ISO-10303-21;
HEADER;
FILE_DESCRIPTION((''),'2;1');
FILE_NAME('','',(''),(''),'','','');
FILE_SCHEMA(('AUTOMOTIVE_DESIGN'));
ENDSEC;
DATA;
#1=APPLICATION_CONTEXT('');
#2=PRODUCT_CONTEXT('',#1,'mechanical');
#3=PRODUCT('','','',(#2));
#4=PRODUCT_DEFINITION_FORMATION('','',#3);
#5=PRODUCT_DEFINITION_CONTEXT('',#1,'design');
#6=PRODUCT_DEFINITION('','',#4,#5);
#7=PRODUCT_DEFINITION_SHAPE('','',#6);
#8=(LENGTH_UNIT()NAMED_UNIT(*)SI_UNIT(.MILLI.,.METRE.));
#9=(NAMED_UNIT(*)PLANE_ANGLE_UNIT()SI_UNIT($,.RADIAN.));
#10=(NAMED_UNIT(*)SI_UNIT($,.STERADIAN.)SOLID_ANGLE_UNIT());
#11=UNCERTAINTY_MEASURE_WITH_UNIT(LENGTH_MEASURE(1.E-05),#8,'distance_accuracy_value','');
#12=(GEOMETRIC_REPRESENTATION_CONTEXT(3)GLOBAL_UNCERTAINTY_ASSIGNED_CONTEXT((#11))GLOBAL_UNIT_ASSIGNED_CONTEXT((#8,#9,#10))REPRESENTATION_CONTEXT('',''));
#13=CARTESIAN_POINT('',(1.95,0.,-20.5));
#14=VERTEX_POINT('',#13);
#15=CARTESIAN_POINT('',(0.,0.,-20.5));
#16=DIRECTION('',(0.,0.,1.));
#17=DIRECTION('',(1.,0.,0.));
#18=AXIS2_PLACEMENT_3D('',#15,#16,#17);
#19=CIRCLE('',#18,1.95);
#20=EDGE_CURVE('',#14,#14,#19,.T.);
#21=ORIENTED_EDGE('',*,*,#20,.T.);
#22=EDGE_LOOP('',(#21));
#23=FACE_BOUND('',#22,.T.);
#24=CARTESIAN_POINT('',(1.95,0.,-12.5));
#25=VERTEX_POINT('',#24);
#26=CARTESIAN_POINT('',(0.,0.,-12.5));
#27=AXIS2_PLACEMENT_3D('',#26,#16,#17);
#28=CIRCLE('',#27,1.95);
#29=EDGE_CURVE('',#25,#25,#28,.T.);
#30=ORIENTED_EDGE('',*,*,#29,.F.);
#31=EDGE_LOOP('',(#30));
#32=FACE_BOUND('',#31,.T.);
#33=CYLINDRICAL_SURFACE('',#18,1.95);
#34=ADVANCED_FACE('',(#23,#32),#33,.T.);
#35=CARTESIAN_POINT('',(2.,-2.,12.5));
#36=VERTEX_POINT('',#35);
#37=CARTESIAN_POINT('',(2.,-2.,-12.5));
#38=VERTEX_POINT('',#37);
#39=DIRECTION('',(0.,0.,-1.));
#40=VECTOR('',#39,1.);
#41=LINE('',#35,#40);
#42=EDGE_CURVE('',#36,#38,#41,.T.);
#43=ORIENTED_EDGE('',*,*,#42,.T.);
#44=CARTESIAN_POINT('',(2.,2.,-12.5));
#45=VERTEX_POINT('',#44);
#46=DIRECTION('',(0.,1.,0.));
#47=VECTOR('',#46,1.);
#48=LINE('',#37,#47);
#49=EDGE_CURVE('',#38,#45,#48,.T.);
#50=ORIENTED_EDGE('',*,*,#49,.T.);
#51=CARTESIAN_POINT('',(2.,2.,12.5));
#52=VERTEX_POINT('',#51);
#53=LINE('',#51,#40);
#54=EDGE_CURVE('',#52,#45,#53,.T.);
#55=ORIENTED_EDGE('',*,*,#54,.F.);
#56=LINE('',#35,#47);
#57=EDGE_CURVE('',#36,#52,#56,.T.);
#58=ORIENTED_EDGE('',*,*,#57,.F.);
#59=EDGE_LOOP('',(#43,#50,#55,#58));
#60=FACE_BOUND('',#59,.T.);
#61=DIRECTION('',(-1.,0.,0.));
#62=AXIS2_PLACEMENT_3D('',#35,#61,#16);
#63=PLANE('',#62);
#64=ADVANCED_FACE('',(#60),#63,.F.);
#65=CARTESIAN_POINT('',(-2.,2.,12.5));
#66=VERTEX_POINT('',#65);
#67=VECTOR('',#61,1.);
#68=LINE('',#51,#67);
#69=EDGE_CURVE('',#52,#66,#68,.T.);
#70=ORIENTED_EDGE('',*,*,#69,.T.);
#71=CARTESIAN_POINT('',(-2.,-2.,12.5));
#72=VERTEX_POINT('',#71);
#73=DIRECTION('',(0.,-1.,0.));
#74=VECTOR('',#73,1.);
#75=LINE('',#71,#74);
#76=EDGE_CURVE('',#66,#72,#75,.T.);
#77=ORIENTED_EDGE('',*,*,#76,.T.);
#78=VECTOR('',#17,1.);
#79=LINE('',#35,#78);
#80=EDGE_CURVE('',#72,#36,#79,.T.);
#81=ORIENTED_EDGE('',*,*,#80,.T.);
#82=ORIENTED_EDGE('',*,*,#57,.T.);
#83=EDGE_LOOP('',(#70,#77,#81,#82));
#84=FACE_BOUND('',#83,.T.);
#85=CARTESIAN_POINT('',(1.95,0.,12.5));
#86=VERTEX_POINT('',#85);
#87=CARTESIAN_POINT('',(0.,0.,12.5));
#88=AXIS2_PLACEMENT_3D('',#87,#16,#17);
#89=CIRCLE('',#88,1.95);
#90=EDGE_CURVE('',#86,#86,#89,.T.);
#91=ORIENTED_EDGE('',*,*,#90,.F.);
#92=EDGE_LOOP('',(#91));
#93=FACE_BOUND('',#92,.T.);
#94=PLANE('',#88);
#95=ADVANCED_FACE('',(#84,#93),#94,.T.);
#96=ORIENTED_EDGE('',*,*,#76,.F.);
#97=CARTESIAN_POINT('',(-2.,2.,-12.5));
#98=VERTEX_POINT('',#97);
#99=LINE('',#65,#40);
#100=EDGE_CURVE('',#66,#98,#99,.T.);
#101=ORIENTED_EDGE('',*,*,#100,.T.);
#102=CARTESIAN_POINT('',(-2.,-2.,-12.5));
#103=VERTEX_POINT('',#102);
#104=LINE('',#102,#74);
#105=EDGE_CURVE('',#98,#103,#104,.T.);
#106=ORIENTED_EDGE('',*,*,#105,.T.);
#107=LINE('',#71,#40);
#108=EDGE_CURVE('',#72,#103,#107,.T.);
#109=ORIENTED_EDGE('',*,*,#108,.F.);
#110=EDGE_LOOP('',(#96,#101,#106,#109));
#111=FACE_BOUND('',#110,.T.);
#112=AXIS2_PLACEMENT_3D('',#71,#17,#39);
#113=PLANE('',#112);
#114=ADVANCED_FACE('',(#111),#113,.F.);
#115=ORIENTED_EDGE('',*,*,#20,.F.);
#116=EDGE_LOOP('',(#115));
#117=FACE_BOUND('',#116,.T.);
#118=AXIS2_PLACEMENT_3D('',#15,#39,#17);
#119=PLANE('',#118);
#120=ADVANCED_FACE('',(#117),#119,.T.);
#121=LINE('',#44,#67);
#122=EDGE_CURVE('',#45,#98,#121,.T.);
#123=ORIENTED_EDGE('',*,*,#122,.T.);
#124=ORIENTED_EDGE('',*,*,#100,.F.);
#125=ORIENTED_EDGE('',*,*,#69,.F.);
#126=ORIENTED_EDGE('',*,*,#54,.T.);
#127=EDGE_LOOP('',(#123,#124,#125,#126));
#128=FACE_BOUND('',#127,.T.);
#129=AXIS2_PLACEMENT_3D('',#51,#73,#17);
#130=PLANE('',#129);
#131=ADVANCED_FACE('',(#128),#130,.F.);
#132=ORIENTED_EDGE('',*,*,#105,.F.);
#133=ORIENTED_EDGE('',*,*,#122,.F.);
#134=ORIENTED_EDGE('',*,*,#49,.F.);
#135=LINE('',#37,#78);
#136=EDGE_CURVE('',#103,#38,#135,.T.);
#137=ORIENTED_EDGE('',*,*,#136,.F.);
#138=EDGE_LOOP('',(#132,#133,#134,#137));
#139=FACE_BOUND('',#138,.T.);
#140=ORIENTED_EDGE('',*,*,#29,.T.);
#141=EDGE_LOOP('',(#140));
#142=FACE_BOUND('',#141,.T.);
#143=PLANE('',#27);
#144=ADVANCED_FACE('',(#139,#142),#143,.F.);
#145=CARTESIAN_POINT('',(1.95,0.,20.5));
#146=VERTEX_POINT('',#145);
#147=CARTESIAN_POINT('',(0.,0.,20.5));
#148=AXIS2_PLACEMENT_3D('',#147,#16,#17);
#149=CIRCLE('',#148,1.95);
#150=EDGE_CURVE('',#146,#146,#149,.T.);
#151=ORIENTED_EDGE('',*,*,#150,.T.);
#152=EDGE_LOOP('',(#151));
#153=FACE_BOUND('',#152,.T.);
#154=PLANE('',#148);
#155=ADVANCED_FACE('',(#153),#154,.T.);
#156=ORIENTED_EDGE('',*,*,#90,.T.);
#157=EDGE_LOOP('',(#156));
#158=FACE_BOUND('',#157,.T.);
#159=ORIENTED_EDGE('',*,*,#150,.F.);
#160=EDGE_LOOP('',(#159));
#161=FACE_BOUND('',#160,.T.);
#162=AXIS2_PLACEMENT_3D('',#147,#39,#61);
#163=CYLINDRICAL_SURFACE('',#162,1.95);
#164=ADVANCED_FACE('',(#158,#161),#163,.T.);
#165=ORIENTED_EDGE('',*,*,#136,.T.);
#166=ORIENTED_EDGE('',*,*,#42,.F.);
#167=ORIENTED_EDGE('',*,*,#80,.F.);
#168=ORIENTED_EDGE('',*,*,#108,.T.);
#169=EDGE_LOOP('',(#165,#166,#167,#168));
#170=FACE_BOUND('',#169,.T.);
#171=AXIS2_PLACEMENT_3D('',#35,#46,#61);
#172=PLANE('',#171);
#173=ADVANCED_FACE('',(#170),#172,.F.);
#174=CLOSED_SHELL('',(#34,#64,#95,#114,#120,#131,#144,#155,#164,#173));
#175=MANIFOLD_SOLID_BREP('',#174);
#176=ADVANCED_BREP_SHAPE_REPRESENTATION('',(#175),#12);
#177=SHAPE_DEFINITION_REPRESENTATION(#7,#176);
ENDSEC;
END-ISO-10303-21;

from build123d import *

# Parameters (mm, degrees)
SKETCH1_W           = 4
SKETCH1_H           = 4
BOSS_EXTRUDE1_DEPTH = 12.5
SKETCH2_R           = 1.95
BOSS_EXTRUDE2_DEPTH = 8


with BuildPart() as part:
    # Sketch1 → Boss-Extrude1 (new, symmetric)
    with BuildSketch(Plane.XY):
        Rectangle(SKETCH1_W, SKETCH1_H)
    extrude(amount=BOSS_EXTRUDE1_DEPTH, both=True)

    # Sketch2 → Boss-Extrude2 (add)
    with BuildSketch(Plane.XY.offset(12.5)):
        Circle(SKETCH2_R)
    boss_extrude2 = extrude(amount=BOSS_EXTRUDE2_DEPTH)

    # Mirror2: Boss-Extrude2 across plane
    add(boss_extrude2.mirror(Plane.XY))


solid = part.part
